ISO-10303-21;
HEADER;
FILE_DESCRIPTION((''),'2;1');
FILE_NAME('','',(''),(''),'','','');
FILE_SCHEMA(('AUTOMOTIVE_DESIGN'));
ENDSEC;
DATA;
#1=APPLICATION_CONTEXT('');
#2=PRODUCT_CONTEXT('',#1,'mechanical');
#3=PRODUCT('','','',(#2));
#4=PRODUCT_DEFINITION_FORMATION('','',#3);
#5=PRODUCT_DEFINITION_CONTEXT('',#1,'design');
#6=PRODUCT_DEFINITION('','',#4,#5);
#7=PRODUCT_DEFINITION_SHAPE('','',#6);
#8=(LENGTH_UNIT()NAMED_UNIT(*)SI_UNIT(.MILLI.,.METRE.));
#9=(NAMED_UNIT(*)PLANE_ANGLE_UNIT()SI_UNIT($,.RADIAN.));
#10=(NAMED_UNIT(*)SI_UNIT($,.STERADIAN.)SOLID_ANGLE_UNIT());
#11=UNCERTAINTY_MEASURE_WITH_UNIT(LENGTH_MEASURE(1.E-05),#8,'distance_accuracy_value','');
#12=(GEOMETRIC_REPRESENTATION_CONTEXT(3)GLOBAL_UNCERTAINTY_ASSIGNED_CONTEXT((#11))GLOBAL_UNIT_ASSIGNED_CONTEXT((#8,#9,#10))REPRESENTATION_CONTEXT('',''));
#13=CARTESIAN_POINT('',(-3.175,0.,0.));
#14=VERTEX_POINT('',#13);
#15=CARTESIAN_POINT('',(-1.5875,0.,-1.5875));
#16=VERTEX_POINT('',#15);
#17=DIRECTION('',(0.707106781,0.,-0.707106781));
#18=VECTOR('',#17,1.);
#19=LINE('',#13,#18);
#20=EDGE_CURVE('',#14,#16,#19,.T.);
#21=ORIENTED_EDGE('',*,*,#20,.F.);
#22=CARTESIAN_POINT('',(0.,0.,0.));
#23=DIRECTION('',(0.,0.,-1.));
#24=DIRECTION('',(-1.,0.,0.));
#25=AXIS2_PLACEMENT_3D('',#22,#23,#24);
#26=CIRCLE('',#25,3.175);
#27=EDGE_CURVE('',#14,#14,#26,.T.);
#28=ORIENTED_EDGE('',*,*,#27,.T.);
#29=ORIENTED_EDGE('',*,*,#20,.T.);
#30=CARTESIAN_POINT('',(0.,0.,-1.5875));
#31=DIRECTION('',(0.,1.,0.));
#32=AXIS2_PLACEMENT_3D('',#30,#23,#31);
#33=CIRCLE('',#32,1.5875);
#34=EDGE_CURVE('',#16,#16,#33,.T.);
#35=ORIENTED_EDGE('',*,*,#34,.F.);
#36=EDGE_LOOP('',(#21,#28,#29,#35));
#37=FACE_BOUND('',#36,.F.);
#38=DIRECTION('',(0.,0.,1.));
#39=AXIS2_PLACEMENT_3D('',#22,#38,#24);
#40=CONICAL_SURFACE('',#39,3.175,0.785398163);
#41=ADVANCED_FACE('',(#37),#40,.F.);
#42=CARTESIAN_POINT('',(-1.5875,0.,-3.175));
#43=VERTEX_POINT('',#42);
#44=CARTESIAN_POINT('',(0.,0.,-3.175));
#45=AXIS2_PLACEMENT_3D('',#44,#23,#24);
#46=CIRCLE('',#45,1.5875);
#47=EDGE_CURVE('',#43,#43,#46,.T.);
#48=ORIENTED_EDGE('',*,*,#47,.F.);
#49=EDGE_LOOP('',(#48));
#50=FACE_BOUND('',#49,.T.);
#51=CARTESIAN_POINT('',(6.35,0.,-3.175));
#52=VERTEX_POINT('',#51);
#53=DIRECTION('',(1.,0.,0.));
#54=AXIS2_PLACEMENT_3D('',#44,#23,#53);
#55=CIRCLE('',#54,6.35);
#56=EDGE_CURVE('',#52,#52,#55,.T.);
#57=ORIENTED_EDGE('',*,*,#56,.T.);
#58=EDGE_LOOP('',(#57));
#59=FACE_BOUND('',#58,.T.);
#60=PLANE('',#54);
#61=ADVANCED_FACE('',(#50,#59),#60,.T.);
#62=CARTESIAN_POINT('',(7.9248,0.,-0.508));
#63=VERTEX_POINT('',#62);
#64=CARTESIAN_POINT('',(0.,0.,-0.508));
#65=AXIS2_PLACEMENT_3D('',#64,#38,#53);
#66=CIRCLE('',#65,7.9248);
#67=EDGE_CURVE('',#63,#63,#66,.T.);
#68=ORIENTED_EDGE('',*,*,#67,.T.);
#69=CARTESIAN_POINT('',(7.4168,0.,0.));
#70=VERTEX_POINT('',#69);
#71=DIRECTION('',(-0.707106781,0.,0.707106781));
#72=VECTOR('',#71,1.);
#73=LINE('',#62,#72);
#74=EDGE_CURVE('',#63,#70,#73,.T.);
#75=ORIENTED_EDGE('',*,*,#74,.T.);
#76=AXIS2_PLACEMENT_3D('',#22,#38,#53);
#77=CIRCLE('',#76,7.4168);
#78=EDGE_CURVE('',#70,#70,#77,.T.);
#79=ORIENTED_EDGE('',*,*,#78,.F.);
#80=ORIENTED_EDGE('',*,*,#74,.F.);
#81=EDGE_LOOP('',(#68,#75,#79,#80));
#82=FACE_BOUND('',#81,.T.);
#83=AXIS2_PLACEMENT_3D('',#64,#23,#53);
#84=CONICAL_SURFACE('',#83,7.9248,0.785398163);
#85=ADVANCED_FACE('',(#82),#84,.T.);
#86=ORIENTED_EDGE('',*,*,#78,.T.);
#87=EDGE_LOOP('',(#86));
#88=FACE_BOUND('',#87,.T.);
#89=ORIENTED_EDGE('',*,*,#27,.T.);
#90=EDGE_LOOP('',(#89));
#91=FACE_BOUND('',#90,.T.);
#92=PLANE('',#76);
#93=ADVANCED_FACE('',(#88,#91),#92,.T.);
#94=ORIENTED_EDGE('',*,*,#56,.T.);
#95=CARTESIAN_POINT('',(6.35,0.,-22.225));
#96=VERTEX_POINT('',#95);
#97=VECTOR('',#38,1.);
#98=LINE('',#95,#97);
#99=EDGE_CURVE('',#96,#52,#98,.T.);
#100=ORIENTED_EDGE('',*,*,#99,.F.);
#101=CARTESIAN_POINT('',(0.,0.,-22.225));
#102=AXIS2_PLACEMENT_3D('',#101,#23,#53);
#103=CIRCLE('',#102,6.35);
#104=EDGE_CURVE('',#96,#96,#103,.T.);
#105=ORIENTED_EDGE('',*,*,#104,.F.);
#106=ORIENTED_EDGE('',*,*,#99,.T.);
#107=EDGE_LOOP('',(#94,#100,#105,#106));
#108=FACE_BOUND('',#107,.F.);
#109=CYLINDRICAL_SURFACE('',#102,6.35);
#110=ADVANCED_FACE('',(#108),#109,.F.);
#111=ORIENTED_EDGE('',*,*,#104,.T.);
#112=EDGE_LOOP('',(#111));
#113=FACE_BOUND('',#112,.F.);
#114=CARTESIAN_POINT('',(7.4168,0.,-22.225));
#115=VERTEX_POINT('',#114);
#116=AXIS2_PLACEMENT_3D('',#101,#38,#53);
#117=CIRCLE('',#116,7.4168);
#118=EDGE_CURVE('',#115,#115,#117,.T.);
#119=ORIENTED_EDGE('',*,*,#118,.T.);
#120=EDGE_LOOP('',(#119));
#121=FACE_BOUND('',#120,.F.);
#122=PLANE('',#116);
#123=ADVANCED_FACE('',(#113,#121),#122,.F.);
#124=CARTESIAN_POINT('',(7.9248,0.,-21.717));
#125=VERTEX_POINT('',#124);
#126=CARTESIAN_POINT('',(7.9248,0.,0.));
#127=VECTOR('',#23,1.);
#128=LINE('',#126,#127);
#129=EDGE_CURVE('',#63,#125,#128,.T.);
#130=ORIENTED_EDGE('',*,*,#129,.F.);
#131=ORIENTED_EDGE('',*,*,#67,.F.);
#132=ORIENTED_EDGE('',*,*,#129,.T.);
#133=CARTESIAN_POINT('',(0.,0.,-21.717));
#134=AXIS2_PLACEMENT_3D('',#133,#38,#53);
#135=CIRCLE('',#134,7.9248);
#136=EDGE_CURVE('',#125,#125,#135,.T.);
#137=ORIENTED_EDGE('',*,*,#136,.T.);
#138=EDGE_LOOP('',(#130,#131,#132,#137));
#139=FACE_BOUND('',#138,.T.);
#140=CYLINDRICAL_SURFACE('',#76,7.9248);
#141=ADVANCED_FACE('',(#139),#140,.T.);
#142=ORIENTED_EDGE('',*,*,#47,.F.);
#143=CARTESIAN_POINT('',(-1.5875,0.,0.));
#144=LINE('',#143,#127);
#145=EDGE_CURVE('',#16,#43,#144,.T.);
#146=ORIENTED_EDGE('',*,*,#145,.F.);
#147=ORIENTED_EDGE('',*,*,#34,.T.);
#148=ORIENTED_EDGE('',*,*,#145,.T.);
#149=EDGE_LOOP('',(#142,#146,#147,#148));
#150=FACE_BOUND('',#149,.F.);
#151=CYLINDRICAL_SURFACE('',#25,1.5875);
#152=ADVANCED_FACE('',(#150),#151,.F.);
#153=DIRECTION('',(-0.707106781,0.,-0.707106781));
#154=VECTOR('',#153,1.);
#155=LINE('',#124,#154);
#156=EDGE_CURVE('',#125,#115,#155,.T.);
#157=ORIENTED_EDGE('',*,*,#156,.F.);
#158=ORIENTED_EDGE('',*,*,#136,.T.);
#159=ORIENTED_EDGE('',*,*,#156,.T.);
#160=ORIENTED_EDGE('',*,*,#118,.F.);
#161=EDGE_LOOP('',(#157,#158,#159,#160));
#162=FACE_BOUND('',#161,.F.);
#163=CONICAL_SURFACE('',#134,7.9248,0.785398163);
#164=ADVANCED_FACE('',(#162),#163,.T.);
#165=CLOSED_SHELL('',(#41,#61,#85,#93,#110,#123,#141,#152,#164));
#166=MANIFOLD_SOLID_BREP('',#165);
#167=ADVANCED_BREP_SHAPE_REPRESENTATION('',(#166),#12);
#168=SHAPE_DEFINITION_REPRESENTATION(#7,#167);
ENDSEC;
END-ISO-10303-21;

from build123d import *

# Parameters (mm, degrees)
F0_R           = 7.9248
F1_DEPTH       = 22.225
F3_D           = 3.175
F3_CSINK_D     = 6.35
F3_CSINK_ANGLE = 90
F4_R           = 6.35
F5_DEPTH       = 19.05
F6_SIZE        = 0.508
F7_SIZE        = 0.508


with BuildPart() as f1:
    # F0 (on Top) → F1 (new body)
    with BuildSketch(Plane.XY):
        Circle(F0_R)
    extrude(amount=-F1_DEPTH)

    # F3 (through all)
    with Locations(Plane.XY):
        with Locations((0, 0)):
            CounterSinkHole(F3_D / 2, F3_CSINK_D / 2, counter_sink_angle=F3_CSINK_ANGLE)

    # F4 (on face) → F5 (cut)
    with BuildSketch(Plane(origin=(0, 0, -22.225), x_dir=(1, 0, 0), z_dir=(0, 0, -1))):
        Circle(F4_R)
    extrude(amount=-F5_DEPTH, mode=Mode.SUBTRACT)

    # F6
    f6_edges = [f1.edges().sort_by_distance(p)[0] for p in [
        (-7.9248, 0, 0),
    ]]
    chamfer(f6_edges, length=F6_SIZE)

    # F7
    f7_edges = [f1.edges().sort_by_distance(p)[0] for p in [
        (-7.9248, 0, -22.225),
    ]]
    chamfer(f7_edges, length=F7_SIZE)


solid = f1.part
